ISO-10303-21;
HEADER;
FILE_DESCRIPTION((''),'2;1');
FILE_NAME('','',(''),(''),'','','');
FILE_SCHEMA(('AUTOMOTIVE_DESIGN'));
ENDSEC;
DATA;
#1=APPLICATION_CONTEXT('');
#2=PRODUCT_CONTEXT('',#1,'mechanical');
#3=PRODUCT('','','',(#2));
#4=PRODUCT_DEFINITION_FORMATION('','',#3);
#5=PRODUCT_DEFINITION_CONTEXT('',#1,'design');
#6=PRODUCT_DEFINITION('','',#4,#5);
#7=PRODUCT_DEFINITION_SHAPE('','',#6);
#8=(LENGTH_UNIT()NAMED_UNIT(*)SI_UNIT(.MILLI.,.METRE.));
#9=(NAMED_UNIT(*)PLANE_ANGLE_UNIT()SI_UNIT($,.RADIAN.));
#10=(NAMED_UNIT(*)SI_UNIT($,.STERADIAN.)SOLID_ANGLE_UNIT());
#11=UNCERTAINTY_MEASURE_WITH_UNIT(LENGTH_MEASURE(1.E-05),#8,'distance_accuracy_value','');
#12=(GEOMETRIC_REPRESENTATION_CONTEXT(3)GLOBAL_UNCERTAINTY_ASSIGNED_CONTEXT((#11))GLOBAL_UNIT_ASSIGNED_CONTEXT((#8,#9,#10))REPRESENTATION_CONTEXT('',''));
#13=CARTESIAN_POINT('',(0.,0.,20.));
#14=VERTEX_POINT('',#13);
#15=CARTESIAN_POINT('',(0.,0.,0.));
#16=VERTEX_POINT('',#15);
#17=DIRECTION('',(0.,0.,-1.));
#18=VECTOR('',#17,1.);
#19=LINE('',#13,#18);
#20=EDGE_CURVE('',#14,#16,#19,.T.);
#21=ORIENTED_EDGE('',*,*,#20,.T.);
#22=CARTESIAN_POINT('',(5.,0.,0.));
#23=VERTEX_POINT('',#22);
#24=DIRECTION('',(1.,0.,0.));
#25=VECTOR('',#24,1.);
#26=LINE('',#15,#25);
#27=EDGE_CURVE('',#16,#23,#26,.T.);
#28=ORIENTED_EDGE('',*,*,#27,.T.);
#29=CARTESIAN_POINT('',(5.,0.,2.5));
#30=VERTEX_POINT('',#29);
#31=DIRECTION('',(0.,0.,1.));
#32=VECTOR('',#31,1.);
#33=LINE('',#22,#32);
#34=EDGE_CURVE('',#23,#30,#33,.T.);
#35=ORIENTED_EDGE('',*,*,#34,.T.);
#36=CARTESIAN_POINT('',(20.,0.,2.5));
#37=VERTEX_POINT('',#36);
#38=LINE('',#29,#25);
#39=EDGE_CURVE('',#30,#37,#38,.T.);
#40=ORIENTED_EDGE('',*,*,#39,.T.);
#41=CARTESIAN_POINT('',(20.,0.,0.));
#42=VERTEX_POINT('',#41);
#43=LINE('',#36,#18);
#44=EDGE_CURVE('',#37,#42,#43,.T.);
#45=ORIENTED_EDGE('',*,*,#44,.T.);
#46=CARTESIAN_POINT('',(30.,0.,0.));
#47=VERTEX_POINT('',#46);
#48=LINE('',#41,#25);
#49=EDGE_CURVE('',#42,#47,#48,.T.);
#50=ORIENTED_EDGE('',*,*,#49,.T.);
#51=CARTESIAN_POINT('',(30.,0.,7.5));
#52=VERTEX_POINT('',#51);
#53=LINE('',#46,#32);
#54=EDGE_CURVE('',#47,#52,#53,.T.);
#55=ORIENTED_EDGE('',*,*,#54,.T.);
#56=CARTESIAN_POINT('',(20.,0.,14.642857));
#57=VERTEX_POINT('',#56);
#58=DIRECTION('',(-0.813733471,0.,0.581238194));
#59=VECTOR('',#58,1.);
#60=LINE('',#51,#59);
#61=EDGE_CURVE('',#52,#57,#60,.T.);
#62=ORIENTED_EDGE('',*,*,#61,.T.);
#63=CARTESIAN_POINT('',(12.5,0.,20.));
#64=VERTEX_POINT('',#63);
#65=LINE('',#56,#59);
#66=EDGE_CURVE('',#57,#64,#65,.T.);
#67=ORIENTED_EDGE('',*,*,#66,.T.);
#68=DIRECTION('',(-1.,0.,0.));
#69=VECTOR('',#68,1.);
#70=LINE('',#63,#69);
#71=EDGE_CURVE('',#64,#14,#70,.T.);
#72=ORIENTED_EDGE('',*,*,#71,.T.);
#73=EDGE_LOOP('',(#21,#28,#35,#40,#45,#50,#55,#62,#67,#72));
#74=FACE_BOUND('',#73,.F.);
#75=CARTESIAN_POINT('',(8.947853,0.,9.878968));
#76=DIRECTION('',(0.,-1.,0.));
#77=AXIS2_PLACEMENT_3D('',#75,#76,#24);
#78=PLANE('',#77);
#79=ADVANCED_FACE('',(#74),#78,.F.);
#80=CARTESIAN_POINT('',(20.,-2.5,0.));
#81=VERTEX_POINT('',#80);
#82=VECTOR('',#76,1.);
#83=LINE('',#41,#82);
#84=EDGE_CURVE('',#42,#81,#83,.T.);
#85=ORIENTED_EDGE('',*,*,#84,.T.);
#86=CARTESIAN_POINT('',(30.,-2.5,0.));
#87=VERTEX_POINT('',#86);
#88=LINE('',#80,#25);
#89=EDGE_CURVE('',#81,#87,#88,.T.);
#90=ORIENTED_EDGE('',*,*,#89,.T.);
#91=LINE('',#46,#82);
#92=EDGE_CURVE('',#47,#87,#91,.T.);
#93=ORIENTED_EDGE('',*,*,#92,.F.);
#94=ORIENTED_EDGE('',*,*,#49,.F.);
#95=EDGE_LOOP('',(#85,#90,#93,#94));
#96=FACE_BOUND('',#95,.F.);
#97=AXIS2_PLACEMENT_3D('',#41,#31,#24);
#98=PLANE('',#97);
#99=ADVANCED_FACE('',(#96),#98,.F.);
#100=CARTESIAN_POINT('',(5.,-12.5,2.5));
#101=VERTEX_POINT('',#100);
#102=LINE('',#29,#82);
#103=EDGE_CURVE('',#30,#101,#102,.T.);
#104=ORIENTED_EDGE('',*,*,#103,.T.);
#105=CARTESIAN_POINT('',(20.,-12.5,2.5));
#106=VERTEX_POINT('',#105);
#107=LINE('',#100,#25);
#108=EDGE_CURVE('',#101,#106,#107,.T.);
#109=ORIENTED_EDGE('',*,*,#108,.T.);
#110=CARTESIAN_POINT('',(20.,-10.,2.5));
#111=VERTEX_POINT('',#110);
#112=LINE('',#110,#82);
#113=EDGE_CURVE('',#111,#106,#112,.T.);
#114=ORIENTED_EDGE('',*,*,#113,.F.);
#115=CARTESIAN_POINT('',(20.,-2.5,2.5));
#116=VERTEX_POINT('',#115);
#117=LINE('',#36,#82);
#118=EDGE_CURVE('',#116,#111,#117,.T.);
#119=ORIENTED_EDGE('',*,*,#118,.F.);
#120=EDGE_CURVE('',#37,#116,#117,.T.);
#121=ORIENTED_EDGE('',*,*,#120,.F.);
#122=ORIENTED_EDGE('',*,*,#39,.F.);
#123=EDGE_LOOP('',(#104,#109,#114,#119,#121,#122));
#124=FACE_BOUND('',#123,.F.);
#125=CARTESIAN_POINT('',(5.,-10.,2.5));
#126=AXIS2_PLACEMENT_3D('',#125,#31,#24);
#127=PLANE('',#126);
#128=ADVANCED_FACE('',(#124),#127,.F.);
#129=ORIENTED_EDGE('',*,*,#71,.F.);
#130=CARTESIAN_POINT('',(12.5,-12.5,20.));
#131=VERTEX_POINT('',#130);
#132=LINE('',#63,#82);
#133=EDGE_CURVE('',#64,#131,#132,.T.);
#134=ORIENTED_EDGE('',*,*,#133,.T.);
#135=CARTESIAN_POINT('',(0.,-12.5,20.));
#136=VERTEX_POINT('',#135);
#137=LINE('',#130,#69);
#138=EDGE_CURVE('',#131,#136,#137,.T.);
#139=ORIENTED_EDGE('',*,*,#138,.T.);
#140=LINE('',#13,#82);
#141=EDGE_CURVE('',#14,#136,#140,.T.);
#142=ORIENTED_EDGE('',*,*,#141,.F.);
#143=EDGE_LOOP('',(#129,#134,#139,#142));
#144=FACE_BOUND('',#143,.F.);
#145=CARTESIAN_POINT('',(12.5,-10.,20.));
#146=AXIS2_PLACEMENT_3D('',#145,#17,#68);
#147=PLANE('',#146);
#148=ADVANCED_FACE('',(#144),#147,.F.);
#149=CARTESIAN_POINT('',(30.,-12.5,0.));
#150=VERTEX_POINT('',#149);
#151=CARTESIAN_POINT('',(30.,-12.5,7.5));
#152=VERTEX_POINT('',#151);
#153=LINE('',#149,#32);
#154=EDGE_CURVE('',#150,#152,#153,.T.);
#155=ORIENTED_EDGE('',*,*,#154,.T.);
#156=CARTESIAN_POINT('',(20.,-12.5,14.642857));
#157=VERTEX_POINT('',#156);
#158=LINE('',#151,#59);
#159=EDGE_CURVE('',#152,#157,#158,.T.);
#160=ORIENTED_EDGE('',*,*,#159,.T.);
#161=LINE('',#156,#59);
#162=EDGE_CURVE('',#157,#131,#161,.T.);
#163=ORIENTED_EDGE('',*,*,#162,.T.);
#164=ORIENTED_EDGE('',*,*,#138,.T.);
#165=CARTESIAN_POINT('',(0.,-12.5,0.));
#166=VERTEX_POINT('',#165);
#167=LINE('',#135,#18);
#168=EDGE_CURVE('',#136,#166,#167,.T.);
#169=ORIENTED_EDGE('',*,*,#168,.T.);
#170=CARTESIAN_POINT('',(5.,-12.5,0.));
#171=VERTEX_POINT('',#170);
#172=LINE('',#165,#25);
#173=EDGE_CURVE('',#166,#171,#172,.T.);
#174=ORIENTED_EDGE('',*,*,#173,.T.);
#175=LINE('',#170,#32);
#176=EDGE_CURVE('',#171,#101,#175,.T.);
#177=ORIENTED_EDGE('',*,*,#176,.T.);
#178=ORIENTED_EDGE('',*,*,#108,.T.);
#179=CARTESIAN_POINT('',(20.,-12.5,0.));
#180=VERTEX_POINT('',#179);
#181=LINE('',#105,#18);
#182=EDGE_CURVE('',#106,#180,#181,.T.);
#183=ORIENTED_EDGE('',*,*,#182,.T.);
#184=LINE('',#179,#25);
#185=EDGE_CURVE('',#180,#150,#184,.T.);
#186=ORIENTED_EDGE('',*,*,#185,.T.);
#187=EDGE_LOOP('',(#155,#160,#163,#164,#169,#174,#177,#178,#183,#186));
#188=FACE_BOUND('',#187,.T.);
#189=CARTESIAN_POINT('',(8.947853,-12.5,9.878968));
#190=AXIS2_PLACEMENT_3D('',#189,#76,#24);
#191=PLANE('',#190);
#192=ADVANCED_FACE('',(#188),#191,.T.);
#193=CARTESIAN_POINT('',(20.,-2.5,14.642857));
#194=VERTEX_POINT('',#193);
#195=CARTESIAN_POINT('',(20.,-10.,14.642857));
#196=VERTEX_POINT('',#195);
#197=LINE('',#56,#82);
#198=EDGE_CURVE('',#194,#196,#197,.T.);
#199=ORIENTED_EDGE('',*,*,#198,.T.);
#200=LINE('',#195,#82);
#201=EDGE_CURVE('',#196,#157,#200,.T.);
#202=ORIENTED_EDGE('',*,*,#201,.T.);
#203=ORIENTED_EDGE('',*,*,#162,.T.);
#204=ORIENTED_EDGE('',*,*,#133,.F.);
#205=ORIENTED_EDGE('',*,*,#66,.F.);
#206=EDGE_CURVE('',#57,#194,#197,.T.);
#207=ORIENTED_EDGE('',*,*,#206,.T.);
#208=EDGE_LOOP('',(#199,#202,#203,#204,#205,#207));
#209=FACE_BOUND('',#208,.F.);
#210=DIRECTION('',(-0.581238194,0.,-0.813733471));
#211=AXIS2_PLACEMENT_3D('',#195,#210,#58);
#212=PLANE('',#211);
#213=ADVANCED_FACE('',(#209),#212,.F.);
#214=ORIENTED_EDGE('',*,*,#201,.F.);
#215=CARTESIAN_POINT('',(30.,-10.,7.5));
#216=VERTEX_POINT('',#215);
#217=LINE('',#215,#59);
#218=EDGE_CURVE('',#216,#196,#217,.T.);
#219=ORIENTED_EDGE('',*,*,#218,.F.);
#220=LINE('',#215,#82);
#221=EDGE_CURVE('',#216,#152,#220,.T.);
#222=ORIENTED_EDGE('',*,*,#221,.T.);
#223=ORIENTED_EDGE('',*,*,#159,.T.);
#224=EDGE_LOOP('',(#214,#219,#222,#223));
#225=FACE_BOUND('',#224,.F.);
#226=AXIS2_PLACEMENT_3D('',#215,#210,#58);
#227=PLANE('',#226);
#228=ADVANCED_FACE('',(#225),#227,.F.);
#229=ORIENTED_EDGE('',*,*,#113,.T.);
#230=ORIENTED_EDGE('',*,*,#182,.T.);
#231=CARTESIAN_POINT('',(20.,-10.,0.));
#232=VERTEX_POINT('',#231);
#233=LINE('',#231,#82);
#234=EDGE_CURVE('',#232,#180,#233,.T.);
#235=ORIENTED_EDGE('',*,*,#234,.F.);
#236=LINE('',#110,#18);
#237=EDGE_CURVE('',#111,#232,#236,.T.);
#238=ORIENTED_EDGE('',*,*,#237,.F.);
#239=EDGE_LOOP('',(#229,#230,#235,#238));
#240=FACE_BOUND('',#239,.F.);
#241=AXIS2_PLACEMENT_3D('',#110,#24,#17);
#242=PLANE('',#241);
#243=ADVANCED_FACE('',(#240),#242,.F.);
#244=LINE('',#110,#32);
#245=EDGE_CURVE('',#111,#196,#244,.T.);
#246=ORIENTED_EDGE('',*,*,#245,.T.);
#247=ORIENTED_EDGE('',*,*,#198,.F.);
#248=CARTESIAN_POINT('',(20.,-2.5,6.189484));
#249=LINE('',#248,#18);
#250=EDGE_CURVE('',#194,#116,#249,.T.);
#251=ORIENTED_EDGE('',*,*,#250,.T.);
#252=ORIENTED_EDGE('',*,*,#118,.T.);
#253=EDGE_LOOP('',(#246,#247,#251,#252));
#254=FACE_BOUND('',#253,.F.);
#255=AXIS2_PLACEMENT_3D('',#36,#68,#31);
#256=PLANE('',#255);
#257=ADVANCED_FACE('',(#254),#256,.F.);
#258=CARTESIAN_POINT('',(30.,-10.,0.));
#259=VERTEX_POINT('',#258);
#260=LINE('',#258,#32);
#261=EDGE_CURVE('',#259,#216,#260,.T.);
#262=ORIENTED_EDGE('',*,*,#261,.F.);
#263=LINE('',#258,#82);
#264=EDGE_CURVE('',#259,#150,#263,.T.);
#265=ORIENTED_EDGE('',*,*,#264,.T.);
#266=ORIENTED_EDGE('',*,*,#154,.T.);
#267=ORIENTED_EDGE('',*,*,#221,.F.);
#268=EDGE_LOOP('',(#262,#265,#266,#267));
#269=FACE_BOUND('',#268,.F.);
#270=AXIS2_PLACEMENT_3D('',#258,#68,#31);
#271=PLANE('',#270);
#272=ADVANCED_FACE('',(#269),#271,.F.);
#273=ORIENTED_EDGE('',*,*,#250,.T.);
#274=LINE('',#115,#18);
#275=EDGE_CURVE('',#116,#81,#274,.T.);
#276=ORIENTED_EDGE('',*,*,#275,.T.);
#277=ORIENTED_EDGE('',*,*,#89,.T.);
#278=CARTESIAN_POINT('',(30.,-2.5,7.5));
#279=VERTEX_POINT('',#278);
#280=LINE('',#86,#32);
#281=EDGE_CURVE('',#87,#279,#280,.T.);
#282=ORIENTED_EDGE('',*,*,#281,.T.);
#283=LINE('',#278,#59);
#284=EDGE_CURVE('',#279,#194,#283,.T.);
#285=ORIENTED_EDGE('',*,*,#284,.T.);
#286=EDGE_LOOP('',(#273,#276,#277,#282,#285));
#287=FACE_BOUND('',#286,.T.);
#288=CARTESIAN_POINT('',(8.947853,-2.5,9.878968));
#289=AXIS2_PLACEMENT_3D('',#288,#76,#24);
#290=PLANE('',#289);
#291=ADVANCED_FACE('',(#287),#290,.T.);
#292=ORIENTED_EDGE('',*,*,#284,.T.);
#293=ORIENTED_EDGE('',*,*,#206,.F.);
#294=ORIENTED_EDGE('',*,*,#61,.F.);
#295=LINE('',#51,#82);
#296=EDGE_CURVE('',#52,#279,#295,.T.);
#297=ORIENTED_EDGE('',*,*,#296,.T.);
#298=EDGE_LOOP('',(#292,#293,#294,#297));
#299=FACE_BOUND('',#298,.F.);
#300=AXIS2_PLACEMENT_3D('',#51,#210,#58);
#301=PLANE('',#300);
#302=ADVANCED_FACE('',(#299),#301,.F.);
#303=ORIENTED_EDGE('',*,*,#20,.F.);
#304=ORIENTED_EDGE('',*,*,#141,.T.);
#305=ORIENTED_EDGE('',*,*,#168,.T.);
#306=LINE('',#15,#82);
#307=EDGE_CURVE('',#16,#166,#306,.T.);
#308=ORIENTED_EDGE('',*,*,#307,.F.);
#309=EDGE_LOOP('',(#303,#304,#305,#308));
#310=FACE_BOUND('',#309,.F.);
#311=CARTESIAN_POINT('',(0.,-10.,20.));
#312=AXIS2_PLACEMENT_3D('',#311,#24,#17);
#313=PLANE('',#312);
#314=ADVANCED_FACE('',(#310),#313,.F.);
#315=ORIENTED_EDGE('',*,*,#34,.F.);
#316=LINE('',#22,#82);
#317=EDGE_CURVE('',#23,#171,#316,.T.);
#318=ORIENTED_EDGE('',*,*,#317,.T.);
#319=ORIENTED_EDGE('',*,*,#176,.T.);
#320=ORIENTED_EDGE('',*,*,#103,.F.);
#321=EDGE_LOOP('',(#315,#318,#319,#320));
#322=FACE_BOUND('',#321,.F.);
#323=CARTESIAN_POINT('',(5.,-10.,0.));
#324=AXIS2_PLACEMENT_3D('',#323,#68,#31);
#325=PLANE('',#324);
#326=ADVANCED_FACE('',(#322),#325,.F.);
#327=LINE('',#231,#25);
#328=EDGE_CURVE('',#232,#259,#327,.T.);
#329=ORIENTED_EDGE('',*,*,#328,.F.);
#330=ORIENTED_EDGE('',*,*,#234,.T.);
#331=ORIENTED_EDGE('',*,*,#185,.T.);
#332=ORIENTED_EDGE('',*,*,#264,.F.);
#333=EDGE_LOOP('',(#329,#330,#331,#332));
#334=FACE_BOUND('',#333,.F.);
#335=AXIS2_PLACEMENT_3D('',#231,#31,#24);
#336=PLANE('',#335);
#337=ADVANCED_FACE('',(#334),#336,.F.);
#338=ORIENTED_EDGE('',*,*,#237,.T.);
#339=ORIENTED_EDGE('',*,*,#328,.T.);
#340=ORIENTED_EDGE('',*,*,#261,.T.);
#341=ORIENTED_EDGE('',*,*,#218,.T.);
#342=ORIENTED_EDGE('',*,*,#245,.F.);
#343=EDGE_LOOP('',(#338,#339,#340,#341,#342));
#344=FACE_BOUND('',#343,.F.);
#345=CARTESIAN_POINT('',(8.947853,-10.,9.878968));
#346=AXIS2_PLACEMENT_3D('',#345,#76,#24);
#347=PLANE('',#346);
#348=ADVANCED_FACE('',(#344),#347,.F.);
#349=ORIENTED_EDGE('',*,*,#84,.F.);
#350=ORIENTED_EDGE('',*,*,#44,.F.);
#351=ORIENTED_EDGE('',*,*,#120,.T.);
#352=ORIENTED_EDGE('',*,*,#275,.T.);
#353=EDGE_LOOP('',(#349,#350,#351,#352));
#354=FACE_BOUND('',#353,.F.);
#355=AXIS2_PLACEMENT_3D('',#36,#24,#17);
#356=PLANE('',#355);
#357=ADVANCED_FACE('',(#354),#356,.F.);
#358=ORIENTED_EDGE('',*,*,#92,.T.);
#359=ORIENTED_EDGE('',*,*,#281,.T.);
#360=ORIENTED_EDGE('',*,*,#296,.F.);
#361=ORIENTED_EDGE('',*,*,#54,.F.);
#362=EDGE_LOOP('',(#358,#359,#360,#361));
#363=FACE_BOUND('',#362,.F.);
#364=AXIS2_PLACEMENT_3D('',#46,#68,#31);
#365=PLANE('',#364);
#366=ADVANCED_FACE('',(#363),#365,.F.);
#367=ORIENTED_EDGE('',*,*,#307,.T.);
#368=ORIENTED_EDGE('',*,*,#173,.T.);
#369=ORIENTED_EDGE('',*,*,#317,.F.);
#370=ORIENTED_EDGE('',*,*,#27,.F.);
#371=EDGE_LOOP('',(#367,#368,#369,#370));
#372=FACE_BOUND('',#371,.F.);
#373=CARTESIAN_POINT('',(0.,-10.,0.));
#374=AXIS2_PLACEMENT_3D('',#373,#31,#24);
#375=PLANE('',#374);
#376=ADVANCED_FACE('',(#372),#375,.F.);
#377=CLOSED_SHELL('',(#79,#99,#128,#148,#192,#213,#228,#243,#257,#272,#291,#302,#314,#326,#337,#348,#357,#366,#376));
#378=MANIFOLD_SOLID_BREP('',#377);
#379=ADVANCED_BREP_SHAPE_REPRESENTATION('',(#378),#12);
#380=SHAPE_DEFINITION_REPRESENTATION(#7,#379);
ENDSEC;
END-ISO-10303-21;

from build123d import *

# Parameters (mm, degrees)
F1_DEPTH = 2.5
F2_DEPTH = 10
F4_DEPTH = 2.5


with BuildPart() as f1:
    # F0 (on Front) → F1 (new body)
    with BuildSketch(Plane.XZ):
        Polygon((0, 20), (0, 0), (5, 0), (5, 2.5), (20, 2.5), (20, 14.6428571429), (12.5, 20), align=None)
        Polygon((30, 7.5), (20, 14.6428571429), (20, 2.5), (20, 0), (30, 0), align=None)
    extrude(amount=F1_DEPTH)

    # F0 (on Front) → F2 (join)
    with BuildSketch(Plane.XZ):
        Polygon((0, 20), (0, 0), (5, 0), (5, 2.5), (20, 2.5), (20, 14.6428571429), (12.5, 20), align=None)
    extrude(amount=F2_DEPTH)

    # F3 (on face) → F4 (join)
    with BuildSketch(Plane.XZ.offset(10)):
        Polygon((20, 2.5), (20, 14.6428571429), (12.5, 20), (0, 20), (0, 0), (5, 0), (5, 2.5), align=None)
        Polygon((30, 7.5), (20, 14.6428571429), (20, 2.5), (20, 0), (30, 0), align=None)
    extrude(amount=F4_DEPTH)


solid = f1.part
